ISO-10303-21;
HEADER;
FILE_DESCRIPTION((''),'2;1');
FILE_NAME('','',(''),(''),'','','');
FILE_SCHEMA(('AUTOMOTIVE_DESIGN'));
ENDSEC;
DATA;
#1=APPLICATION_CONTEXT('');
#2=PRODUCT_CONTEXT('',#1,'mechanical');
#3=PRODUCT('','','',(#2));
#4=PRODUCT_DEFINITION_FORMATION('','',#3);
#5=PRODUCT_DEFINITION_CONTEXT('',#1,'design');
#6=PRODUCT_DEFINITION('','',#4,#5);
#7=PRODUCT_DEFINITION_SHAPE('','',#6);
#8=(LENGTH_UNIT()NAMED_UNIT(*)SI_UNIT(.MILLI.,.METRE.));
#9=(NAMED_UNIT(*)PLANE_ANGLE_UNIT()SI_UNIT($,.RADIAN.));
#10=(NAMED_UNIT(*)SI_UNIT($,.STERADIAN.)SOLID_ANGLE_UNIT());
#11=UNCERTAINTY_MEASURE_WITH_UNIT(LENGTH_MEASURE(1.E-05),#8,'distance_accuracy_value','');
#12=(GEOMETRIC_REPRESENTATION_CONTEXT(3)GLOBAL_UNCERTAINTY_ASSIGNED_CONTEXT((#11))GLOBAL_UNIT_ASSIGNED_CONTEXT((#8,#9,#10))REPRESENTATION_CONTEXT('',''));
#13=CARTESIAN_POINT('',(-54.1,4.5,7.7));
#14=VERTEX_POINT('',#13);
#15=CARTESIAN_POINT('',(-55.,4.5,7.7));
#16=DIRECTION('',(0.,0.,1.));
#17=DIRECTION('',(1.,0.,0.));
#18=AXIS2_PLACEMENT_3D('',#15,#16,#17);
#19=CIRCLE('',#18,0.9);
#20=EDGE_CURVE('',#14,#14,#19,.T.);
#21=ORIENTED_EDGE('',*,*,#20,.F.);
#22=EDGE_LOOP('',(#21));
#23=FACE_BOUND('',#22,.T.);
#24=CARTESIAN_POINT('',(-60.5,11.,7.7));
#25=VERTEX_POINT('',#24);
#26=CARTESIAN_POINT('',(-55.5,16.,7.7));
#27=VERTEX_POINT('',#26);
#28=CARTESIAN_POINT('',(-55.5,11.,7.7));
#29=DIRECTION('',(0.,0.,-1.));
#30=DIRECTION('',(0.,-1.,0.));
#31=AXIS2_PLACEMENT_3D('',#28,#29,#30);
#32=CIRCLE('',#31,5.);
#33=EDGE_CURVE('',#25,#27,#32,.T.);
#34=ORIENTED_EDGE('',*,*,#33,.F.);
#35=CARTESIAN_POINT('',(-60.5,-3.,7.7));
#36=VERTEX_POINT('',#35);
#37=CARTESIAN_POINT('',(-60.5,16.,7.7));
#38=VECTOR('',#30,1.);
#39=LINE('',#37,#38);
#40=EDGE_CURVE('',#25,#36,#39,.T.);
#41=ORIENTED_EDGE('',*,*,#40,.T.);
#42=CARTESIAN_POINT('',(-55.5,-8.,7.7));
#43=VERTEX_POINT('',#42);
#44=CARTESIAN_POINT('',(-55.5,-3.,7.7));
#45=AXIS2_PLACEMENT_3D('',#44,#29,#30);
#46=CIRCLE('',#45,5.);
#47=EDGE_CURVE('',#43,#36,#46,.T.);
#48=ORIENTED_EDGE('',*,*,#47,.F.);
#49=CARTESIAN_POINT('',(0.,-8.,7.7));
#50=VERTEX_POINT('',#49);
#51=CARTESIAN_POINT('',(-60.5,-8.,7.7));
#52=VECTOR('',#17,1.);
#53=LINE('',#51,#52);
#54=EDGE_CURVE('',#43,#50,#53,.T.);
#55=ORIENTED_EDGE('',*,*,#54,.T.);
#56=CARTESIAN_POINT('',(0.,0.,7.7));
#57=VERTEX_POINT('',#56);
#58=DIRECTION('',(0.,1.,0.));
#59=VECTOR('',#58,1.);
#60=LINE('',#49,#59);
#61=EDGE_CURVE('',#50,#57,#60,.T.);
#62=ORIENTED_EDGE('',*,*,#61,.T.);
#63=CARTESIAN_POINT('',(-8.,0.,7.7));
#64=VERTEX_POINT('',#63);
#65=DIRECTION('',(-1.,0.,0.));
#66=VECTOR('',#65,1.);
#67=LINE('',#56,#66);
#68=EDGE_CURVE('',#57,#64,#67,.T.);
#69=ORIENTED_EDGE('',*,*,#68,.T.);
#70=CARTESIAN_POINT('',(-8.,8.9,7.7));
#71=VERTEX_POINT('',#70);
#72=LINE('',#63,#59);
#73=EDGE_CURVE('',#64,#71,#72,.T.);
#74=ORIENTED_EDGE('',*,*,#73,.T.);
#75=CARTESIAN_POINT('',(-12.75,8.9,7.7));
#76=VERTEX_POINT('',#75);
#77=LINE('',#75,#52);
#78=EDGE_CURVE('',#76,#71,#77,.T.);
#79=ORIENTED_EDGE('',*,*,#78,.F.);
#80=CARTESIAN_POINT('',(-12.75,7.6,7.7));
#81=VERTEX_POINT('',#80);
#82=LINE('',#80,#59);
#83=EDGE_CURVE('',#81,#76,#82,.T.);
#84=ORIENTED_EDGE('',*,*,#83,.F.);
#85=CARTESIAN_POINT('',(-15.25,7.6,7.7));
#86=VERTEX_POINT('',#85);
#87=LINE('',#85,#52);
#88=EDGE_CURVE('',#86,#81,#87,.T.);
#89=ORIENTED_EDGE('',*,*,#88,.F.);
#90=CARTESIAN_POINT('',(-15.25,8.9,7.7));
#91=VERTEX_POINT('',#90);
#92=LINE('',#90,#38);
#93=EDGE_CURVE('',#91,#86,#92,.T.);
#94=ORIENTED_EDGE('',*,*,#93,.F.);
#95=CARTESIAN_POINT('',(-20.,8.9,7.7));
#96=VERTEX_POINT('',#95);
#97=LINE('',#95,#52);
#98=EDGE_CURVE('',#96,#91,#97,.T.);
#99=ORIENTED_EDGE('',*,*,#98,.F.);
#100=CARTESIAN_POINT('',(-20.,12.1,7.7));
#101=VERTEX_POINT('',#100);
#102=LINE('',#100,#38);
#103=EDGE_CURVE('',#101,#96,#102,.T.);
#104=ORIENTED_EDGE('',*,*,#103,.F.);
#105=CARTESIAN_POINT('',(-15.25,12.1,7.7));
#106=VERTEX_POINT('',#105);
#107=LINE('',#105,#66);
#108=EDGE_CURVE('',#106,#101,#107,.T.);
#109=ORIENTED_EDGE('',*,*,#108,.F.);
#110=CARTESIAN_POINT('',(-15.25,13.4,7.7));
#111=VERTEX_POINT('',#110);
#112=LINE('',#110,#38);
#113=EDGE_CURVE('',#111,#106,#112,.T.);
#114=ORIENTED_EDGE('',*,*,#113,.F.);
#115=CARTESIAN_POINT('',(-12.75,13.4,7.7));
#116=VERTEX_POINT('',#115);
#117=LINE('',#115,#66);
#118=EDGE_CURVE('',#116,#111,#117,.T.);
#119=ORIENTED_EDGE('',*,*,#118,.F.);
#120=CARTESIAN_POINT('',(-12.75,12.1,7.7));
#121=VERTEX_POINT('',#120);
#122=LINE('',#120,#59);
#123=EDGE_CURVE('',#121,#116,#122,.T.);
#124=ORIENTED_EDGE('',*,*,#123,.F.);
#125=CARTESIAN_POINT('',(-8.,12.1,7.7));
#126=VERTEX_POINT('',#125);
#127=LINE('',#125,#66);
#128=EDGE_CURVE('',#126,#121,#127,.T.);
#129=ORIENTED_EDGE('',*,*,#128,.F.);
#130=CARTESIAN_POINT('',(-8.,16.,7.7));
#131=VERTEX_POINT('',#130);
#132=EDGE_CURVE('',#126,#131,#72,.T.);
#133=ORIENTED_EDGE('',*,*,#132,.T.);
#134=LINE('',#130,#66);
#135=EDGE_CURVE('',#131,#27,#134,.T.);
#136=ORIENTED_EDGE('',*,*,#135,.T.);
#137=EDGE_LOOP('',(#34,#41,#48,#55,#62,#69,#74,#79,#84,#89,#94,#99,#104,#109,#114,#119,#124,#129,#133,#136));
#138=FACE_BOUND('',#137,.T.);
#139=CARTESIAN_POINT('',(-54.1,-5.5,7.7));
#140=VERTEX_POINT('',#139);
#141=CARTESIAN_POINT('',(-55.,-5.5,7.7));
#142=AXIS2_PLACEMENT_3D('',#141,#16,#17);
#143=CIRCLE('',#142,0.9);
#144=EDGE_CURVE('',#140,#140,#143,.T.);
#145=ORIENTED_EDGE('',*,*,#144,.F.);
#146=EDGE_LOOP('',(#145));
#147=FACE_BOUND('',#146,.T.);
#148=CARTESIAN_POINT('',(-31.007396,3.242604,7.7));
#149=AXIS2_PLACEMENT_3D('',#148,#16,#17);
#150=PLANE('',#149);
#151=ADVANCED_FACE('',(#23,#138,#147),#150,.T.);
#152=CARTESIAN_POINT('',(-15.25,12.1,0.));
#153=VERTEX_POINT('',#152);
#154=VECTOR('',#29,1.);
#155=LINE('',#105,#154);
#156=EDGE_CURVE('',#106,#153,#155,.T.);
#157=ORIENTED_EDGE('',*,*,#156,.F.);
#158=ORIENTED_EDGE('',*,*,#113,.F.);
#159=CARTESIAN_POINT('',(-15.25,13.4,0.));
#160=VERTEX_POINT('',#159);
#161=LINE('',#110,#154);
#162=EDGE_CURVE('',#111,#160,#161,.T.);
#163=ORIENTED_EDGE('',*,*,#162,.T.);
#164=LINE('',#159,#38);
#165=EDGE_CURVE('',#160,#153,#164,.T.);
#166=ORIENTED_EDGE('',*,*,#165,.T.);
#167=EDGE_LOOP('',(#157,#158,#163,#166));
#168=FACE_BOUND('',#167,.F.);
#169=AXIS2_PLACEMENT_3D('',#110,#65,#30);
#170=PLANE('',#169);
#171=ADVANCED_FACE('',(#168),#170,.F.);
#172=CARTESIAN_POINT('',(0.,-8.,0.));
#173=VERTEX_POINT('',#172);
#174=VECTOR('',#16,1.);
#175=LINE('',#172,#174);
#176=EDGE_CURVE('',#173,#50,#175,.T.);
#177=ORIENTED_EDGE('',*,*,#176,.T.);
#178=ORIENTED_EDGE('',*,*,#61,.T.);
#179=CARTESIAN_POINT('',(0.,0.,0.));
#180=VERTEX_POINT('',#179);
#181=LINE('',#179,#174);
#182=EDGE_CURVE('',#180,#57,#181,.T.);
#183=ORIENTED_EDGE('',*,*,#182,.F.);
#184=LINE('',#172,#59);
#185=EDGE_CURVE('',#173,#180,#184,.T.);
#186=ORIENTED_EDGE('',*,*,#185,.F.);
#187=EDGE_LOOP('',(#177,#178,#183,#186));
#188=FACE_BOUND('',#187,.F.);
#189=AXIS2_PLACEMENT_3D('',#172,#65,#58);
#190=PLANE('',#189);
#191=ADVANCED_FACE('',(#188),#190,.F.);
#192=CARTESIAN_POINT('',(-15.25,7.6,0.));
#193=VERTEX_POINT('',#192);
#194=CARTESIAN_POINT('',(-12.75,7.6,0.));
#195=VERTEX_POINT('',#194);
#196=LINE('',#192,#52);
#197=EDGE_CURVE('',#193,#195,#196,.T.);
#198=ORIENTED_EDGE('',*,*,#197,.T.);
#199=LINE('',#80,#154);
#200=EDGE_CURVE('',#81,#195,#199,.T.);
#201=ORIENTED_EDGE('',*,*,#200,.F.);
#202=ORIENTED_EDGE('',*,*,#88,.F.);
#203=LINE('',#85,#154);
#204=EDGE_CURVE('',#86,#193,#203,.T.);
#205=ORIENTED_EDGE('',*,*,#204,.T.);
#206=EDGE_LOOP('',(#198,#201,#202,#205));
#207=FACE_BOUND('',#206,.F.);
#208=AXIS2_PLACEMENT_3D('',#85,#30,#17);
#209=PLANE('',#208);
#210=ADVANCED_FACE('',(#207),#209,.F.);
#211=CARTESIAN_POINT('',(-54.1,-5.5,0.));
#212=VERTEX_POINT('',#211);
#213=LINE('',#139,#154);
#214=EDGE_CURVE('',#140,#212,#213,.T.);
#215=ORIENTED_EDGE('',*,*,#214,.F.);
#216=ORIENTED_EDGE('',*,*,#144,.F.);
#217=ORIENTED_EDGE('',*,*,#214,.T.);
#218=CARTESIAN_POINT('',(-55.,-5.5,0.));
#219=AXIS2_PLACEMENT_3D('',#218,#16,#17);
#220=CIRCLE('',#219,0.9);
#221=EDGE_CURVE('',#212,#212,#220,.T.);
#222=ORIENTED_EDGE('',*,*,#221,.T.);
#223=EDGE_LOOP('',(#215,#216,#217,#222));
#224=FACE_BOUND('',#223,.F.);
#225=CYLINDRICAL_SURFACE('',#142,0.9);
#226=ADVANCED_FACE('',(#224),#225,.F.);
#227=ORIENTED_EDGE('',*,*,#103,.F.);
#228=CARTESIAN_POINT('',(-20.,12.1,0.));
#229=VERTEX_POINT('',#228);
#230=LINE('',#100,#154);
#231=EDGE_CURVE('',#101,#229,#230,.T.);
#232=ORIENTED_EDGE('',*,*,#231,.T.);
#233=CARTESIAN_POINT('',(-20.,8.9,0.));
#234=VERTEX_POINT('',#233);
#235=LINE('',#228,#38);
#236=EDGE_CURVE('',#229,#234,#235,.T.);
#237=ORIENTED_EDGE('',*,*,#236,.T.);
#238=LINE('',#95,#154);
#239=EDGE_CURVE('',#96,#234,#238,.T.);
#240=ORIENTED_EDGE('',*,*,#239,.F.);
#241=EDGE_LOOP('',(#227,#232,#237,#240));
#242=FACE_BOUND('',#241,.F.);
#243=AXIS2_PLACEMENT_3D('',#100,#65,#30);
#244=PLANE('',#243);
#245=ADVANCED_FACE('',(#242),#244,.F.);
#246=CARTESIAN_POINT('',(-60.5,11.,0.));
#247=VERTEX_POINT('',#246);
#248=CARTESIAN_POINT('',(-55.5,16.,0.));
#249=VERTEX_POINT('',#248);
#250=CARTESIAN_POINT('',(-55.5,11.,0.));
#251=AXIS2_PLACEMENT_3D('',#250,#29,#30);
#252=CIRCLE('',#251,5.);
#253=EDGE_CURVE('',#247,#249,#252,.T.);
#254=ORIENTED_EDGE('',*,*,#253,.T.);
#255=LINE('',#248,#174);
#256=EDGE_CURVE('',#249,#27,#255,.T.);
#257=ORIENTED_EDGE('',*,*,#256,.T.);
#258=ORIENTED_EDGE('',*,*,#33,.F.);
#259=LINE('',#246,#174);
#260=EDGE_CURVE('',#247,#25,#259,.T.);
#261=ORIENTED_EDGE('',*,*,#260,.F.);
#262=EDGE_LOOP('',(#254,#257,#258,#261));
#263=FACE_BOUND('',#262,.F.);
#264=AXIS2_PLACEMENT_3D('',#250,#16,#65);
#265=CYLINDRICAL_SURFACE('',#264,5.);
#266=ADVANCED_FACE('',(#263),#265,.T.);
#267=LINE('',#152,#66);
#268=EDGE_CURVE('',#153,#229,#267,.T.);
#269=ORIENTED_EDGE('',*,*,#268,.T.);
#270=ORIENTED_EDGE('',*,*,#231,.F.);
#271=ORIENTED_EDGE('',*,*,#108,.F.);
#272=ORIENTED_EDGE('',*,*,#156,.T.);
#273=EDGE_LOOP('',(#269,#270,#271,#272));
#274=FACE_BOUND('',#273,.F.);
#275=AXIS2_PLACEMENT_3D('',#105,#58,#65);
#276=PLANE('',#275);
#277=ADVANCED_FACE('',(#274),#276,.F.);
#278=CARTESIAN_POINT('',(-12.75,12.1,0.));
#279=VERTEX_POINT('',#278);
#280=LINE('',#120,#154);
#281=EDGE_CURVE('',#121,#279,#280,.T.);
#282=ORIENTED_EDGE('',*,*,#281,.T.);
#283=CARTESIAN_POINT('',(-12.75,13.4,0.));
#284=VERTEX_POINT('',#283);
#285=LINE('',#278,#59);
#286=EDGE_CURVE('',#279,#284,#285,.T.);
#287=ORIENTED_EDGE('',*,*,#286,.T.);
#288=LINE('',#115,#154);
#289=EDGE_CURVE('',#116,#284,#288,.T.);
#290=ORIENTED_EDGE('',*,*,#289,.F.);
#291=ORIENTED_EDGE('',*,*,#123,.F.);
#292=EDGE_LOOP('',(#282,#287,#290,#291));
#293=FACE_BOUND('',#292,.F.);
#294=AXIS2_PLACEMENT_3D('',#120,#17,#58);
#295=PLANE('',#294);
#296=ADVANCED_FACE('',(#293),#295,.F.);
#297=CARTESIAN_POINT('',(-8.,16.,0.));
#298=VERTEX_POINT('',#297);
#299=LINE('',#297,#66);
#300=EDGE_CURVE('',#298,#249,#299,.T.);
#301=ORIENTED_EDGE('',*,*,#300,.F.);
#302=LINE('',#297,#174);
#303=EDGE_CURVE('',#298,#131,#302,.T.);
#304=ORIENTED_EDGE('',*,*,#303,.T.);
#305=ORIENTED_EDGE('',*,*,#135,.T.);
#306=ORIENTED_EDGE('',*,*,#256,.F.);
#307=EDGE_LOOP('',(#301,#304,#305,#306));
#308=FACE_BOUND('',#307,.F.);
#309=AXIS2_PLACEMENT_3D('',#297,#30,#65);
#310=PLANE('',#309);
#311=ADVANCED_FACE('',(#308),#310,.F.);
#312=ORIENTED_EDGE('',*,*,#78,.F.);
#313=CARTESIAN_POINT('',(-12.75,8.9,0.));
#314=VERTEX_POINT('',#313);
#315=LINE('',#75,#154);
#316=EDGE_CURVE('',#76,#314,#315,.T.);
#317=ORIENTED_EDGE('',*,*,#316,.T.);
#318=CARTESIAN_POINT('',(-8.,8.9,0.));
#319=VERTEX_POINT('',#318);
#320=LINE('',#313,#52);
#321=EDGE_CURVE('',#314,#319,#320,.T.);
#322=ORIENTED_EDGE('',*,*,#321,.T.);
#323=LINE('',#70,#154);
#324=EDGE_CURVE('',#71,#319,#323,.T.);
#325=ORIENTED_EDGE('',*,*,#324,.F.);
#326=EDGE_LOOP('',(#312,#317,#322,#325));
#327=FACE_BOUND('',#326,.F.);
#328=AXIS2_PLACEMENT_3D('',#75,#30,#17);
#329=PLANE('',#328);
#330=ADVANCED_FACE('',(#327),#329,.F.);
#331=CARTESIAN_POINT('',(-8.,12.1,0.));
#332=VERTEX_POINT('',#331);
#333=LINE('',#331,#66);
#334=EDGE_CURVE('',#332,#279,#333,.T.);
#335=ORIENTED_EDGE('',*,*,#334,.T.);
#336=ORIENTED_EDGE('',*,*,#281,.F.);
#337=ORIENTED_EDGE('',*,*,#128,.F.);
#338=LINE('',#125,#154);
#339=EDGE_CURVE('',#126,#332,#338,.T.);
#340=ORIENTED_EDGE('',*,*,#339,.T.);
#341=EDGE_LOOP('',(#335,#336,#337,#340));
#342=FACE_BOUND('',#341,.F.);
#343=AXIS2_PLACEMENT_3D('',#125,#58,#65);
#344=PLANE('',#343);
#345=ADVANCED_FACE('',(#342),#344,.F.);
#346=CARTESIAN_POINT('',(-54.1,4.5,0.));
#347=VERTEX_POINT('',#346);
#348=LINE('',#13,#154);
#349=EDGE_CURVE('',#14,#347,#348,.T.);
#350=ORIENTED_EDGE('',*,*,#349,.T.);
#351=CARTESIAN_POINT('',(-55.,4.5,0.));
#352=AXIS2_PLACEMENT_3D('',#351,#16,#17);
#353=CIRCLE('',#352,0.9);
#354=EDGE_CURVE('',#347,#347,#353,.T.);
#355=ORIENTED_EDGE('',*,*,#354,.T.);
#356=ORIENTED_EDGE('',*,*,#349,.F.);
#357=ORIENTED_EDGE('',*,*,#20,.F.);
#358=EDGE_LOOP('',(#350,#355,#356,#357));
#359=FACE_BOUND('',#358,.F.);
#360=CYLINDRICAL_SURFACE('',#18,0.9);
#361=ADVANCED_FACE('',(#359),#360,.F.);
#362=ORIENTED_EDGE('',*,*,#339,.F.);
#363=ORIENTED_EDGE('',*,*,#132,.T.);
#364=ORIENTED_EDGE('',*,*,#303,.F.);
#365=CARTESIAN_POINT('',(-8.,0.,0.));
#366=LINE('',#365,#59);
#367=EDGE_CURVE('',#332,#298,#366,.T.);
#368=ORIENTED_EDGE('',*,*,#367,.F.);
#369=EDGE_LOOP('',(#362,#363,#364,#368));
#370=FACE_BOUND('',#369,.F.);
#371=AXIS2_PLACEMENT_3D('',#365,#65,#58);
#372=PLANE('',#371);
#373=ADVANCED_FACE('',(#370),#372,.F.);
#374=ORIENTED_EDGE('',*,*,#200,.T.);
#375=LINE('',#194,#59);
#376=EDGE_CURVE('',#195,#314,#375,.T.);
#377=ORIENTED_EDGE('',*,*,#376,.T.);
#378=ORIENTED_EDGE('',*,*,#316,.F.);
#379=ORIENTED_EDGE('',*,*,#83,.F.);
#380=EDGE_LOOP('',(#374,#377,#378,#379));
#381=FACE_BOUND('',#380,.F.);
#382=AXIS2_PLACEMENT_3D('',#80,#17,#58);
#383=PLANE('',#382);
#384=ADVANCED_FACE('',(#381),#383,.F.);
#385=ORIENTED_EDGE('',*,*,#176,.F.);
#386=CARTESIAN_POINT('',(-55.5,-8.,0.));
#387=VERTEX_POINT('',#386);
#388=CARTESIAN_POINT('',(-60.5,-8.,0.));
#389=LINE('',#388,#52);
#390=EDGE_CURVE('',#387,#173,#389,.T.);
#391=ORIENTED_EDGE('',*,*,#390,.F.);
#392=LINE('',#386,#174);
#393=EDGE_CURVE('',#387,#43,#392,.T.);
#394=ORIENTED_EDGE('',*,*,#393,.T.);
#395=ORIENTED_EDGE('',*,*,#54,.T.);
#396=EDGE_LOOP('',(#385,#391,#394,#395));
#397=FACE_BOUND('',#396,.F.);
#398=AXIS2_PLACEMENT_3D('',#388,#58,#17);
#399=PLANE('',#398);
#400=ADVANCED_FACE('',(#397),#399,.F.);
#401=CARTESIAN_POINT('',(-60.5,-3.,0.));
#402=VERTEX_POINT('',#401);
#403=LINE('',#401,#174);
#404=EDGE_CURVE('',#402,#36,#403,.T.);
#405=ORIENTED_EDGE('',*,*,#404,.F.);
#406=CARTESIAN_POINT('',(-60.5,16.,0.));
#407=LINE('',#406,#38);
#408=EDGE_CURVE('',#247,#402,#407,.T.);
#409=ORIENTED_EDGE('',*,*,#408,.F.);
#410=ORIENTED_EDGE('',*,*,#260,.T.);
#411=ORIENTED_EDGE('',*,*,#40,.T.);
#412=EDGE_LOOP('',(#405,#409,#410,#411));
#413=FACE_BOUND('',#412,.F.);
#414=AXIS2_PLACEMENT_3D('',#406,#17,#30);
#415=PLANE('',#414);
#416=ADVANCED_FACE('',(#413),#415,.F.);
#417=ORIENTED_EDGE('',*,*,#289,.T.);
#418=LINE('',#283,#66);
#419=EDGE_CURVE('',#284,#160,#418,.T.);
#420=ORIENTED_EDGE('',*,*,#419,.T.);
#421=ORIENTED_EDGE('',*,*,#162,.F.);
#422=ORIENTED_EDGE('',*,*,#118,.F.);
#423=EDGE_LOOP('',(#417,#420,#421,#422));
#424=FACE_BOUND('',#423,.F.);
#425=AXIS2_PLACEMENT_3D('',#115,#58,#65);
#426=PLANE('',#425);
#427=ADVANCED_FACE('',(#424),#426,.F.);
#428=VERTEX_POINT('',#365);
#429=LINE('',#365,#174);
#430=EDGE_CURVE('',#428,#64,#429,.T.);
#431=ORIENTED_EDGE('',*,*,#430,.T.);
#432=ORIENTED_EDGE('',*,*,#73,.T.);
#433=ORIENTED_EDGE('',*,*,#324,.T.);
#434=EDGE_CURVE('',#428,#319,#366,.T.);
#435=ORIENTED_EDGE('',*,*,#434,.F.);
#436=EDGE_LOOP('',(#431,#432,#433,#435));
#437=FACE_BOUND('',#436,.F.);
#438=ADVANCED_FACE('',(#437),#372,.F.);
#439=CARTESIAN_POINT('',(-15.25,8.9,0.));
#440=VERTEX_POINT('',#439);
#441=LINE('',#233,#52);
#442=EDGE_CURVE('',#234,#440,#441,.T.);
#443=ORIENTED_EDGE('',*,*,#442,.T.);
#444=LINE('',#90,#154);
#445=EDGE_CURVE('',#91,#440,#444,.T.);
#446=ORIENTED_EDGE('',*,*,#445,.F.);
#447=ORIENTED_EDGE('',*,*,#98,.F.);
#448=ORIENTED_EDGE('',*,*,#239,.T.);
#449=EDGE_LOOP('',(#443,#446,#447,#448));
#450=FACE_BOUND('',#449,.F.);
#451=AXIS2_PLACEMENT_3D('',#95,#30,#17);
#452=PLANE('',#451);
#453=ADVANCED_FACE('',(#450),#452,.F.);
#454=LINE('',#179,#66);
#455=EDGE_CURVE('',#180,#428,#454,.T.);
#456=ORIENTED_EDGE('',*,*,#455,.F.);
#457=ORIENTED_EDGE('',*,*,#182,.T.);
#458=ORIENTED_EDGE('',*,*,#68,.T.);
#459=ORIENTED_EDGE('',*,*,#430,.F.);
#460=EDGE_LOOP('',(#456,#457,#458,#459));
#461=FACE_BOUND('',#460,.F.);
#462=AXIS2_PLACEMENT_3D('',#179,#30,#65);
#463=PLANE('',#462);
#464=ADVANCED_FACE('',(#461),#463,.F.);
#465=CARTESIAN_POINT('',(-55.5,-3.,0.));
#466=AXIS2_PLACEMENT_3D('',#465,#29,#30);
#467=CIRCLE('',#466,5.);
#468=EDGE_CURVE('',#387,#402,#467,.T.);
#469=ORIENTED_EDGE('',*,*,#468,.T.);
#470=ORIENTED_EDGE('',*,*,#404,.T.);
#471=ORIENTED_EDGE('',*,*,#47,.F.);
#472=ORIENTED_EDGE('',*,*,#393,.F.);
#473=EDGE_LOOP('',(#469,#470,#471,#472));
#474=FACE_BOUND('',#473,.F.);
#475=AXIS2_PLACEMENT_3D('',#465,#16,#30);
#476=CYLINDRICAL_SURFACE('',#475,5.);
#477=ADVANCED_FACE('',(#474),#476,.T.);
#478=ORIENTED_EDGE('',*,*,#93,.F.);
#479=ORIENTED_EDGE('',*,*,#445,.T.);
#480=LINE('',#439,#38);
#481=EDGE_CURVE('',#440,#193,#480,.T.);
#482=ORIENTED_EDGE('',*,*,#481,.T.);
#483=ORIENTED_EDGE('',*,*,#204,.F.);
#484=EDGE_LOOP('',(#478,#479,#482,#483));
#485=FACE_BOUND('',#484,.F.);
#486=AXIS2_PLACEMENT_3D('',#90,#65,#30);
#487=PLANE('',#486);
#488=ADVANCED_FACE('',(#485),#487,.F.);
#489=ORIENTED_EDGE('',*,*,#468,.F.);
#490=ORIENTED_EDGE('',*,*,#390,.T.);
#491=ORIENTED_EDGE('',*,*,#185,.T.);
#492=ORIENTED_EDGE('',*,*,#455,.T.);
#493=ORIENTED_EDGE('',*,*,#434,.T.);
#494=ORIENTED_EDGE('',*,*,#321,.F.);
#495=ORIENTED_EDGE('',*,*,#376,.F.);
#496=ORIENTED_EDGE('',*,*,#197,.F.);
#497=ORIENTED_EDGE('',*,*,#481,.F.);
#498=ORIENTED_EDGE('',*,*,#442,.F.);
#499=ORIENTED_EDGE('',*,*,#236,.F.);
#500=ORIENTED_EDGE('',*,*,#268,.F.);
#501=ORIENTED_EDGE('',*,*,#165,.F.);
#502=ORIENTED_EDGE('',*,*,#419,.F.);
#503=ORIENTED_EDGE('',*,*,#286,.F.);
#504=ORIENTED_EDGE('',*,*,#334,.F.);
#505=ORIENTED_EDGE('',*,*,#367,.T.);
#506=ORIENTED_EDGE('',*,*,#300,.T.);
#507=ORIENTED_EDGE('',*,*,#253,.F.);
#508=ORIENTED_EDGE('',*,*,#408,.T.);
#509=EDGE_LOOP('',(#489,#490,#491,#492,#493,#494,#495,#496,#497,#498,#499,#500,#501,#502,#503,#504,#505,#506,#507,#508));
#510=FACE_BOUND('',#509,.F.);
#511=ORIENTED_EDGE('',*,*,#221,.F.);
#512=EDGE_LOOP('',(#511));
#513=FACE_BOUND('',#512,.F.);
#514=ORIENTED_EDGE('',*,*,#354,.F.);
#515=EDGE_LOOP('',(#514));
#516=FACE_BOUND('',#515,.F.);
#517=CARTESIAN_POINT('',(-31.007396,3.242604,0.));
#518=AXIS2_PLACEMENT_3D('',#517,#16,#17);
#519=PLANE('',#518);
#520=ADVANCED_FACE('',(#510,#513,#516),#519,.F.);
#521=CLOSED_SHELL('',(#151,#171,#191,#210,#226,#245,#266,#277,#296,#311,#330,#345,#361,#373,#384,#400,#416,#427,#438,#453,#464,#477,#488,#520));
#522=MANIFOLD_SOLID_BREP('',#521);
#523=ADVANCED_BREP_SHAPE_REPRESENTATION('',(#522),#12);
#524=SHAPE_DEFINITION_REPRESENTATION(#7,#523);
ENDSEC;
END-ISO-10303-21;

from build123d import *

# Parameters (mm, degrees)
F1_DEPTH = 7.7
F2_R     = 0.9
F3_DEPTH = 7.7
F4_R     = 5


with BuildPart() as f1:
    # F0 (on Top) → F1 (new body)
    with BuildSketch(Plane.XY):
        Polygon((0, -8), (0, 0), (-8, 0), (-8, 16), (-60.5, 16), (-60.5, -8), align=None)
    extrude(amount=F1_DEPTH)

    # F2 (on face) → F3 (cut, through all)
    with BuildSketch(Plane.XY.offset(7.7)):
        with Locations((-55, 4.5)):
            Circle(F2_R)
        with Locations((-55, -5.5)):
            Circle(F2_R)
        Polygon((-12.75, 8.9), (-8, 8.9), (-8, 12.1), (-12.75, 12.1), (-12.75, 13.4), (-15.25, 13.4), (-15.25, 12.1), (-20, 12.1), (-20, 8.9), (-15.25, 8.9), (-15.25, 7.6), (-12.75, 7.6), align=None)
    extrude(amount=-F3_DEPTH, mode=Mode.SUBTRACT)

    # F4
    f4_edges = [f1.edges().sort_by_distance(p)[0] for p in [
        (-60.5, 16, 3.85),
        (-60.5, -8, 3.85),
    ]]
    fillet(f4_edges, radius=F4_R)


solid = f1.part
